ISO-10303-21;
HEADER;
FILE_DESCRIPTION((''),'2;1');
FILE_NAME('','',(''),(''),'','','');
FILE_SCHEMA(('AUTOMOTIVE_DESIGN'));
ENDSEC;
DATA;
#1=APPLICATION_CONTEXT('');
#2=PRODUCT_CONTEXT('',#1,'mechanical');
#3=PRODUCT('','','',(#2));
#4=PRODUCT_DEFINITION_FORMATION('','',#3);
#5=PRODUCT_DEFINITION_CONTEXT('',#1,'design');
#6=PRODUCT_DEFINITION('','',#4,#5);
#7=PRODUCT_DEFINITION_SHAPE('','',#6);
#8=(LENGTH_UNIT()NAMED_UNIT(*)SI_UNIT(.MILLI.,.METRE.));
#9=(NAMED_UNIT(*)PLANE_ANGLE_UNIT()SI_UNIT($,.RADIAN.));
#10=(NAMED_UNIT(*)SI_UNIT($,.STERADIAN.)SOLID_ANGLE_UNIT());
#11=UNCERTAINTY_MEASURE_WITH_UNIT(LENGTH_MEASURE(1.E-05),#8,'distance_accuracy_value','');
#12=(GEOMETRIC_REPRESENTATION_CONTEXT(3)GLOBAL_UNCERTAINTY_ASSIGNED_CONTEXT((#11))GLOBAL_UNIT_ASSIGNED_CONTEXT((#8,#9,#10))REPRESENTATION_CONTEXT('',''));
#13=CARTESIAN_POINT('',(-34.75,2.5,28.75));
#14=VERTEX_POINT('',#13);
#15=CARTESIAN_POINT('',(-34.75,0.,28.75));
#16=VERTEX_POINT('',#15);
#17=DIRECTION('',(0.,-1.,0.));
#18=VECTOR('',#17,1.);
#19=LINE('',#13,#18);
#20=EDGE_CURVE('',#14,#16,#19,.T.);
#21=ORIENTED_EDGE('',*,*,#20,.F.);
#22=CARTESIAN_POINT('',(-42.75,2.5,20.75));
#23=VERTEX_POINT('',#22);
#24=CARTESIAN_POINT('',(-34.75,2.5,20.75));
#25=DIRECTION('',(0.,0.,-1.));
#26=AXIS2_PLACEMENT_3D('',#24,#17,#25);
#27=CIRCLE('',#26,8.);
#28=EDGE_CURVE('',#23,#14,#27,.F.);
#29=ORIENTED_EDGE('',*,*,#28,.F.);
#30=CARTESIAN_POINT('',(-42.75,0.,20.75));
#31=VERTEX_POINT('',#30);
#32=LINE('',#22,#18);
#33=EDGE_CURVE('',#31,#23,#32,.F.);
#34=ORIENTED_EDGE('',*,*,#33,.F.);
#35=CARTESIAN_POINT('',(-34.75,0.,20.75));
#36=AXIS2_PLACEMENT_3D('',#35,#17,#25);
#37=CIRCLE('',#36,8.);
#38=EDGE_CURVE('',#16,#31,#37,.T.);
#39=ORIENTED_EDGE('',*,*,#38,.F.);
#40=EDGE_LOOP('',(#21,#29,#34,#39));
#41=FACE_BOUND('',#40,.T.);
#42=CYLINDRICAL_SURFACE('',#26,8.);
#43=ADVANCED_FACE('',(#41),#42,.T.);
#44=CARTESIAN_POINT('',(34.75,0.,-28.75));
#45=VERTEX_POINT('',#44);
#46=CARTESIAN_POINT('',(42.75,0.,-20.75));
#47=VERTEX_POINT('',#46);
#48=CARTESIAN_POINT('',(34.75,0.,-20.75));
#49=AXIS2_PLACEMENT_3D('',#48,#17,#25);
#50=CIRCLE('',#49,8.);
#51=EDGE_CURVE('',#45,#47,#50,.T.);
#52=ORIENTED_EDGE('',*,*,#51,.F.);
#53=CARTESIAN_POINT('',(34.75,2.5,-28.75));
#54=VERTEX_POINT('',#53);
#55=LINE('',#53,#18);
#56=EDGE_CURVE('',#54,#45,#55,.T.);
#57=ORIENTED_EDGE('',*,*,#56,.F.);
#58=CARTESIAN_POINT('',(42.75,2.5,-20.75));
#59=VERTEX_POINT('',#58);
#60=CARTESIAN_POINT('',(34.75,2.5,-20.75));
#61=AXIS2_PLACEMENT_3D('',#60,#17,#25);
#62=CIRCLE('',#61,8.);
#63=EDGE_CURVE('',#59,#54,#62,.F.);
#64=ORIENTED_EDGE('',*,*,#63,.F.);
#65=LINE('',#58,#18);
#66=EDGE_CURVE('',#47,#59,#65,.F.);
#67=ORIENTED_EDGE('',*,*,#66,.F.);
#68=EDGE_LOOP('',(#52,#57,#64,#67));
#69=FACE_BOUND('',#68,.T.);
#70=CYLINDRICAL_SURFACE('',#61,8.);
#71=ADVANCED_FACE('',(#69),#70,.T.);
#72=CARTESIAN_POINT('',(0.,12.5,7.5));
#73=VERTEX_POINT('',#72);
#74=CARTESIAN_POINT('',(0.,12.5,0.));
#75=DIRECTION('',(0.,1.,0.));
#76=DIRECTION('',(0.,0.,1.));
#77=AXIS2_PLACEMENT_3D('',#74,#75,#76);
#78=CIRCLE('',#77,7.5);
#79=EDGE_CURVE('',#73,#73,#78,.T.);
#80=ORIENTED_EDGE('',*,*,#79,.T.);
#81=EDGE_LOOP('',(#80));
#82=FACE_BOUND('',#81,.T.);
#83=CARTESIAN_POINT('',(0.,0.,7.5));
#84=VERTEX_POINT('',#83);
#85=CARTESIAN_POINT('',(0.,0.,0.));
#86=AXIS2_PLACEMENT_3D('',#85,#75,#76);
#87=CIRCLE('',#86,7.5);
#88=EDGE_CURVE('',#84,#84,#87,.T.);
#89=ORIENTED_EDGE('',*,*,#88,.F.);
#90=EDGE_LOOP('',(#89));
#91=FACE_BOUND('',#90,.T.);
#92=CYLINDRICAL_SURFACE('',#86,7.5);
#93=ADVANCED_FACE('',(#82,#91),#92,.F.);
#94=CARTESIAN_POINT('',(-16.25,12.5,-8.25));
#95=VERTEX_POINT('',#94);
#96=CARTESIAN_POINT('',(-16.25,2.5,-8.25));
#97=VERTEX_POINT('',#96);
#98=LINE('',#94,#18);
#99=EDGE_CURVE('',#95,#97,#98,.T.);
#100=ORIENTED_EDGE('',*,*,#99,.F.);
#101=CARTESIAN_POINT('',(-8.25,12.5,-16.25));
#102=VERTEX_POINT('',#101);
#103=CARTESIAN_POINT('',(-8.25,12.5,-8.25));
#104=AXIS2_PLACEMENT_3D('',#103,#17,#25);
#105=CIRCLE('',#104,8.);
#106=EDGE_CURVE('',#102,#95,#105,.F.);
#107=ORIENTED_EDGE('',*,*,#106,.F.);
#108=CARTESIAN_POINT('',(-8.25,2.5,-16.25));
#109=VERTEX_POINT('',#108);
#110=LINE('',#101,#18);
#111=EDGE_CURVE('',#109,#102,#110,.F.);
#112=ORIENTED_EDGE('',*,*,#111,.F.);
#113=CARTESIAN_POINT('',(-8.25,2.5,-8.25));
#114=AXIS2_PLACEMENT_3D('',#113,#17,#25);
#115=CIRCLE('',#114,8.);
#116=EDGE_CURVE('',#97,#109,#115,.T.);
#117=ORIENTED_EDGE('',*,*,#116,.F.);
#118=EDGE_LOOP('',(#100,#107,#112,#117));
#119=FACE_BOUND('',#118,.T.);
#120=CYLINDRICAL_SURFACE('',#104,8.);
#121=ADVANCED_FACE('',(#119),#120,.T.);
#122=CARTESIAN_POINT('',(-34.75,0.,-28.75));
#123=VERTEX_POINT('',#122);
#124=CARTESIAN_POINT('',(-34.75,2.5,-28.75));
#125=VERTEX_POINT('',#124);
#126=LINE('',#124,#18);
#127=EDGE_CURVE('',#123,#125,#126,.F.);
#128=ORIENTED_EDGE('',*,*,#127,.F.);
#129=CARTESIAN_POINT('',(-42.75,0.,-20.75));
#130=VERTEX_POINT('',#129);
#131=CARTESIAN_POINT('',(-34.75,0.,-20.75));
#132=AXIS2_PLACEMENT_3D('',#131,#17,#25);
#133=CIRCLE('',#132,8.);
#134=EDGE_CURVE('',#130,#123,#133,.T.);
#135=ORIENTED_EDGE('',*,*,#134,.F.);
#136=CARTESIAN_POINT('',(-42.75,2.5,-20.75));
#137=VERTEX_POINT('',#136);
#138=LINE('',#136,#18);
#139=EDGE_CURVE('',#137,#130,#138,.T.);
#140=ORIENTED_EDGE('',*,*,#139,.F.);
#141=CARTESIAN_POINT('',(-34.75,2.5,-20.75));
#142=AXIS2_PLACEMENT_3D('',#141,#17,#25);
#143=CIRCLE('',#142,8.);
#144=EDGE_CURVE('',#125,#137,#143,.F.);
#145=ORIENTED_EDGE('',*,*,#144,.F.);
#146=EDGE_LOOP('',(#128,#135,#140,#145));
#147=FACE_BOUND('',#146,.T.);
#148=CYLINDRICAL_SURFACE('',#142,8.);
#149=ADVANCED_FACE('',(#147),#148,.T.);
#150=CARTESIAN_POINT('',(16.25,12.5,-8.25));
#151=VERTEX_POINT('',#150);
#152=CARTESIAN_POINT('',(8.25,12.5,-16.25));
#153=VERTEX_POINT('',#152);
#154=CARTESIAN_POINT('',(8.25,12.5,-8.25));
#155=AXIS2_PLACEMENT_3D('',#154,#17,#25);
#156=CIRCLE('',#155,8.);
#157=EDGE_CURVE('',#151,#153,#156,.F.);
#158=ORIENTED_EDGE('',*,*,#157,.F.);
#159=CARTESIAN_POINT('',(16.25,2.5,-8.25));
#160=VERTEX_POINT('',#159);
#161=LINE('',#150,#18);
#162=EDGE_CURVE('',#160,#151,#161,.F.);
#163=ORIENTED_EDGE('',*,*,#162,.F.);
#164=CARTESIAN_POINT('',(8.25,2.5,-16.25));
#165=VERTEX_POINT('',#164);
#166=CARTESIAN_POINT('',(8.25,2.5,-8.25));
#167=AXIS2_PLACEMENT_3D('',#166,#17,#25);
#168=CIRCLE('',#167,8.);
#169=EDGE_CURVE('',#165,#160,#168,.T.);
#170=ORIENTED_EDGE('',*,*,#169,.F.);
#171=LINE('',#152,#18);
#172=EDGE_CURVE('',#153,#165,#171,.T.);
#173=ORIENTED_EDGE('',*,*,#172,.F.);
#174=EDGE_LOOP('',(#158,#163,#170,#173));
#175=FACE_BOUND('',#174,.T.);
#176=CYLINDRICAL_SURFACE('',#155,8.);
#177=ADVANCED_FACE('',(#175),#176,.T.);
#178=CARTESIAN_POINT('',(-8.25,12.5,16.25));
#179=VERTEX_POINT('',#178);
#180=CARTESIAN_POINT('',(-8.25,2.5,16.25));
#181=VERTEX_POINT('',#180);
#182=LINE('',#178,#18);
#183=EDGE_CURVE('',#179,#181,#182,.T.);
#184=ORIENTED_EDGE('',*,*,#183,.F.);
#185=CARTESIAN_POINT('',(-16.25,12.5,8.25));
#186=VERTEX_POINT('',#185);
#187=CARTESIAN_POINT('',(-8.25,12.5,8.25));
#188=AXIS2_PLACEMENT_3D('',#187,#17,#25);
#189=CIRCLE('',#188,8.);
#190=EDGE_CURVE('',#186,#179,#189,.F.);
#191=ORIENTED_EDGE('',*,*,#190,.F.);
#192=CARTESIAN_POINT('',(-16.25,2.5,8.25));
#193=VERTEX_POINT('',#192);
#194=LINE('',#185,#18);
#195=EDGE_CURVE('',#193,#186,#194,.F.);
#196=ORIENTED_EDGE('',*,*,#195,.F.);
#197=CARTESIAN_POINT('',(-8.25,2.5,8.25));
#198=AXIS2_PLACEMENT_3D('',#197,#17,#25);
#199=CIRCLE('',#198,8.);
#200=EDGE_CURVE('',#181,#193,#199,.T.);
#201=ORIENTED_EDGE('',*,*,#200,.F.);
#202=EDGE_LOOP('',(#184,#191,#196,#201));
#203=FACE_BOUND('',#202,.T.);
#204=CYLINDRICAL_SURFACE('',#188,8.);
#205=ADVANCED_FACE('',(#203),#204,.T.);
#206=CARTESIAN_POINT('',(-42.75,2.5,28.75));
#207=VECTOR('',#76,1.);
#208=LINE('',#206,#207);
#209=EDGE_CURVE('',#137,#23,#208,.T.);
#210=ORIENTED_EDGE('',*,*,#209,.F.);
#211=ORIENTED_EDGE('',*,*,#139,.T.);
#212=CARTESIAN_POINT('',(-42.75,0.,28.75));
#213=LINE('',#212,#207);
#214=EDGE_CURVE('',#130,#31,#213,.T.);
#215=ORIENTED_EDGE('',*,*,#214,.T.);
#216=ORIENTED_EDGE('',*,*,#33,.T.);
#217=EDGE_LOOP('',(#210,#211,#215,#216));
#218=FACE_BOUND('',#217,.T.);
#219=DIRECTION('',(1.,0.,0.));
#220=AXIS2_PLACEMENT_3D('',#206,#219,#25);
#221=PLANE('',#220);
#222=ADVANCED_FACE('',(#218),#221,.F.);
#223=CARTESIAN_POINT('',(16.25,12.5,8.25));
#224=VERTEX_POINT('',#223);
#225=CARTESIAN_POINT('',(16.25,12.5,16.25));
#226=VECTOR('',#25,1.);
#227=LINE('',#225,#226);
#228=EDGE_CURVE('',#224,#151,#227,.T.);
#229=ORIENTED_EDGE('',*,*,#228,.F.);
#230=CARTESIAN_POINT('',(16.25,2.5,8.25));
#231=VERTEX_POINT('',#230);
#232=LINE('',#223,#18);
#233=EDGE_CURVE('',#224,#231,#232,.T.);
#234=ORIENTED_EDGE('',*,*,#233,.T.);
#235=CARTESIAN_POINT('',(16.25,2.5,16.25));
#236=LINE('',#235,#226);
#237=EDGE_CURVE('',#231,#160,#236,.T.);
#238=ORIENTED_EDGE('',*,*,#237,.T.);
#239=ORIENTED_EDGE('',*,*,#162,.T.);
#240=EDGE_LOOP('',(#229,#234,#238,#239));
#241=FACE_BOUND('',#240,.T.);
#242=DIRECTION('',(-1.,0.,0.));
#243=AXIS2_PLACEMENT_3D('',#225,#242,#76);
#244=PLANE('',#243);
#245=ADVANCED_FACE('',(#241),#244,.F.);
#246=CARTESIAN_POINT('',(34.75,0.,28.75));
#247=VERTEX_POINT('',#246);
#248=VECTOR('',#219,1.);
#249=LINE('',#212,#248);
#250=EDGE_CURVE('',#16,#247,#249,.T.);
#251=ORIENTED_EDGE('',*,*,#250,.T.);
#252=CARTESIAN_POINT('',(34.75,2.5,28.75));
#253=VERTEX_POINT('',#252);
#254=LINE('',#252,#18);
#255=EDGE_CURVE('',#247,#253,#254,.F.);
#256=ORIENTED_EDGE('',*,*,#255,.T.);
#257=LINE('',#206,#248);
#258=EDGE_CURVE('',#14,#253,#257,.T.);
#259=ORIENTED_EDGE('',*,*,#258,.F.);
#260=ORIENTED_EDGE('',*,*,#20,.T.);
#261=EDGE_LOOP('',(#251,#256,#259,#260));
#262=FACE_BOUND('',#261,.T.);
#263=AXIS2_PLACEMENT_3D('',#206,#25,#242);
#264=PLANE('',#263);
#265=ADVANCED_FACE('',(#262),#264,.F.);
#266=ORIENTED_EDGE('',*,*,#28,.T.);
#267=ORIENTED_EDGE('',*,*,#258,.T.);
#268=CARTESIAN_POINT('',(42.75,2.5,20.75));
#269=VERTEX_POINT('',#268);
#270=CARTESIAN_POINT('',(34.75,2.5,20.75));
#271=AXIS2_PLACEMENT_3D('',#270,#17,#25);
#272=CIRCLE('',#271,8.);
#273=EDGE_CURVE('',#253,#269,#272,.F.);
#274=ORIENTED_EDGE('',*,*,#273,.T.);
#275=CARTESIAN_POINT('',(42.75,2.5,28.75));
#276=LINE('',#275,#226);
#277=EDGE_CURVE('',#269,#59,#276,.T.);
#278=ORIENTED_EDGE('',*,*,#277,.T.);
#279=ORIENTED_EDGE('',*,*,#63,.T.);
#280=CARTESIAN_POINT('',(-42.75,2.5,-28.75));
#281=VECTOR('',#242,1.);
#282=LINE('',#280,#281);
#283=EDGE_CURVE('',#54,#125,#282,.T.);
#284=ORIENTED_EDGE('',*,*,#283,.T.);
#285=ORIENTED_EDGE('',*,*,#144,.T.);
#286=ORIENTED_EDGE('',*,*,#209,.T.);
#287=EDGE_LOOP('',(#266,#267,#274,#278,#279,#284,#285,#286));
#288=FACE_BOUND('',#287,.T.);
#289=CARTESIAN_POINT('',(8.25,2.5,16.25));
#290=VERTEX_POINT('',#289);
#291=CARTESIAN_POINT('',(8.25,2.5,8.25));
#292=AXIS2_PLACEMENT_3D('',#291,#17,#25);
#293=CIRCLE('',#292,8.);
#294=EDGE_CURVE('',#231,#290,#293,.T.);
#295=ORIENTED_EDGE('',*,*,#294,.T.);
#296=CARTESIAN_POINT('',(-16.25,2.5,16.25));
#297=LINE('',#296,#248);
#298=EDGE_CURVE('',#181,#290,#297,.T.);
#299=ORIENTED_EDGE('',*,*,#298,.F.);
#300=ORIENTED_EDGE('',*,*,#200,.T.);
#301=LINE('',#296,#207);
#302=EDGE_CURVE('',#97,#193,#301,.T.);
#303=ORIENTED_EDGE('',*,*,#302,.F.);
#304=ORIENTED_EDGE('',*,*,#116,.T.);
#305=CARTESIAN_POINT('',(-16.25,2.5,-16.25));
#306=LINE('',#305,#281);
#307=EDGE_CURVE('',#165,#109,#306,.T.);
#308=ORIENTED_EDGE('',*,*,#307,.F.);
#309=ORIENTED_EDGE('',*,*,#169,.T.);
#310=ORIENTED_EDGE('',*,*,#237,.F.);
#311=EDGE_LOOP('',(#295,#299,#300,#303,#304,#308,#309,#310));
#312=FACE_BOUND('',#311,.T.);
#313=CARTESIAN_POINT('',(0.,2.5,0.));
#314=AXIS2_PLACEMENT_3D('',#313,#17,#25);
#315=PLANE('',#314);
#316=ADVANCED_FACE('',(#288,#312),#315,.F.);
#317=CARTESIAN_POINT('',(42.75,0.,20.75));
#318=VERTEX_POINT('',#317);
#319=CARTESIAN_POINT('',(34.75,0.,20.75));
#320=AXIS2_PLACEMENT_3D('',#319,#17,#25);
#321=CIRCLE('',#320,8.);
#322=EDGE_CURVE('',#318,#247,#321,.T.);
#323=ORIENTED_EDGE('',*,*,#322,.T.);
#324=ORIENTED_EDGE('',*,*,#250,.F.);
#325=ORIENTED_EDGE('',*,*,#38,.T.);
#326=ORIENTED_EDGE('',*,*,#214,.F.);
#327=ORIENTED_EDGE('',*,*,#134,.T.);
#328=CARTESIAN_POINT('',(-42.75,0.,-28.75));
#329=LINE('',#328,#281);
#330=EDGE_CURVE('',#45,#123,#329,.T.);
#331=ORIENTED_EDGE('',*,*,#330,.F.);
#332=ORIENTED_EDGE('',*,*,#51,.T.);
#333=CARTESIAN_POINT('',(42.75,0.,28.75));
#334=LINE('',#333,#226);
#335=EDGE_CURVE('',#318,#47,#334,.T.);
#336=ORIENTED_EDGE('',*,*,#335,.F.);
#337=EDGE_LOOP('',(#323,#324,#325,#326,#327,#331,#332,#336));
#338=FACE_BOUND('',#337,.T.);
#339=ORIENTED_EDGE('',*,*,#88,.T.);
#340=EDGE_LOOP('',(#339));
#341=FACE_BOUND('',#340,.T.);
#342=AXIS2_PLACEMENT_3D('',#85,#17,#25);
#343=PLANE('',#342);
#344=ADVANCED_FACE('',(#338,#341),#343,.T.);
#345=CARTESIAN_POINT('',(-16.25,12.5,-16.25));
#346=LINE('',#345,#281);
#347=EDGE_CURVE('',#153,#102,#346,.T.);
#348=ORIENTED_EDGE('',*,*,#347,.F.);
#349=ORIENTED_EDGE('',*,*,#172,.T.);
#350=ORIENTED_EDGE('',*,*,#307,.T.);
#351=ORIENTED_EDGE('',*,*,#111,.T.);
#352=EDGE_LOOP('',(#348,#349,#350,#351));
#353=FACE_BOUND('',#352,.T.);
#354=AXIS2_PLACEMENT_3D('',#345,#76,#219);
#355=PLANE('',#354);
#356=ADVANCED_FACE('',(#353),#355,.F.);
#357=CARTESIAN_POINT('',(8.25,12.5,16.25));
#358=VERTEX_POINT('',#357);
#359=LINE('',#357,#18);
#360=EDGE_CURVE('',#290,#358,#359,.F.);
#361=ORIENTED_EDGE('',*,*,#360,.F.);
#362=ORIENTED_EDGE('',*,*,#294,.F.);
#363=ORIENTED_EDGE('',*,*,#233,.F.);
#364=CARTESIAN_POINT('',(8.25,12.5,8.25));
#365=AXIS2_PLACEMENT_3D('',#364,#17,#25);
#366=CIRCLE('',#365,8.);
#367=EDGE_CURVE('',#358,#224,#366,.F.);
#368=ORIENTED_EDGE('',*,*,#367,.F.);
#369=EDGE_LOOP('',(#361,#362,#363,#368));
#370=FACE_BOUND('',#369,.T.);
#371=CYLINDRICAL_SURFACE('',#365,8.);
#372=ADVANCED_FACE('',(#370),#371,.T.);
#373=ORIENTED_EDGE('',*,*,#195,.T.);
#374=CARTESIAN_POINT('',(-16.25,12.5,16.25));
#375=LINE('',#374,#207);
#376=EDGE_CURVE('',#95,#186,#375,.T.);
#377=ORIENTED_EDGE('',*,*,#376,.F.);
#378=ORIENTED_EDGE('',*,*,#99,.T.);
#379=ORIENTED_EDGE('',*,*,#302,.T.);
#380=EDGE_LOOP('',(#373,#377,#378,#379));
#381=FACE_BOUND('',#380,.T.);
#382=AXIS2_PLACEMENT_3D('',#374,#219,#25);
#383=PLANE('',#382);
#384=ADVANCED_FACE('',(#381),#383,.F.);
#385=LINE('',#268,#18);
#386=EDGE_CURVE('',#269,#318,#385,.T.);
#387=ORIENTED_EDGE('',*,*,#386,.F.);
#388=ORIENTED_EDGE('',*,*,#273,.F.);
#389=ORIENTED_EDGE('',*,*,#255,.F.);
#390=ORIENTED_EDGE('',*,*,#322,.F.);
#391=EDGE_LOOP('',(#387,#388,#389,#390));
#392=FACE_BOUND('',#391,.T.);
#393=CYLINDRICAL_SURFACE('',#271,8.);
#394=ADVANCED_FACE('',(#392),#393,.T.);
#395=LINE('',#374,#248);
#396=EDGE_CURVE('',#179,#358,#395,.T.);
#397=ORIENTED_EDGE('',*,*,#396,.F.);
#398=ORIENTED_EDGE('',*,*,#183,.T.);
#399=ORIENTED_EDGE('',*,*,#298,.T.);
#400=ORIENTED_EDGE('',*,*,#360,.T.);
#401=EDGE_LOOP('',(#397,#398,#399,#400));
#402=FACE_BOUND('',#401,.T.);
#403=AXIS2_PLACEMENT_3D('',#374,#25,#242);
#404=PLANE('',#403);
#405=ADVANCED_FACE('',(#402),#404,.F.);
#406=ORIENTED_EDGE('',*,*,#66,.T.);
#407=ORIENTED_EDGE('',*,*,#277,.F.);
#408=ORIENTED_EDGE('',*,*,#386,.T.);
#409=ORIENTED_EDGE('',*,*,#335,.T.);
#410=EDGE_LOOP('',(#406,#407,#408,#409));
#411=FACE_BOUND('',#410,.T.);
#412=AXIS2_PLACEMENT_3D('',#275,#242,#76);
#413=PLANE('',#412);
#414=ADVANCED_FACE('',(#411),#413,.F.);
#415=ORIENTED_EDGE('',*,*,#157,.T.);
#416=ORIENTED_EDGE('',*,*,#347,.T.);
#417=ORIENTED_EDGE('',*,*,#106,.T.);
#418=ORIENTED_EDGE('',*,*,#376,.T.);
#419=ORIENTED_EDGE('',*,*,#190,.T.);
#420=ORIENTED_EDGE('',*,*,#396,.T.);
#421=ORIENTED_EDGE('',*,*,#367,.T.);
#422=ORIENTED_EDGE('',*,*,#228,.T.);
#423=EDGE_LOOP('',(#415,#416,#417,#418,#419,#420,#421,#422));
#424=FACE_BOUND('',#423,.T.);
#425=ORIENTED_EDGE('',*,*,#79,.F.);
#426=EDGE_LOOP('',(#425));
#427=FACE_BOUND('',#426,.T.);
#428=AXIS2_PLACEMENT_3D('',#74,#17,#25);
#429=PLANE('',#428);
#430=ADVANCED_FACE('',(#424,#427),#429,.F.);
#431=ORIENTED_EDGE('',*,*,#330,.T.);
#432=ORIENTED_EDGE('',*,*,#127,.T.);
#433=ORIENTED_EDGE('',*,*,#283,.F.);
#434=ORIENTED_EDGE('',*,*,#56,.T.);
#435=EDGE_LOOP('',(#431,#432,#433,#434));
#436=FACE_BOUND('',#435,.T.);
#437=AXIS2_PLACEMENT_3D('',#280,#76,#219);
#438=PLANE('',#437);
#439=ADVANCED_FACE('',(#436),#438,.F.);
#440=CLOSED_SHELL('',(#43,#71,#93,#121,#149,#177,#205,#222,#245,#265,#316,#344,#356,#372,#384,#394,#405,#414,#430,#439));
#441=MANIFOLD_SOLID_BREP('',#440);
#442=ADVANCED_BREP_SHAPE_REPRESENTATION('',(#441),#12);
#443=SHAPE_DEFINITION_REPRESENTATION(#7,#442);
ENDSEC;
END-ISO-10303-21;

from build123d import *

# Parameters (mm, degrees)
CROQUIS1_W              = 85.5
CROQUIS1_H              = 57.5
SALIENTE_EXTRUIR1_DEPTH = 2.5
REDONDEO1_R             = 8
CROQUIS2_W              = 32.5
CROQUIS2_H              = 32.5
SALIENTE_EXTRUIR2_DEPTH = 10
REDONDEO2_R             = 8
CROQUIS3_R              = 7.5
CORTAR_EXTRUIR1_DEPTH   = 54.012970111


with BuildPart() as part:
    # Croquis1 → Saliente-Extruir1 (new body)
    with BuildSketch(Plane(origin=(0, 0, 0), x_dir=(1, 0, 0), z_dir=(0, 1, 0))):
        Rectangle(CROQUIS1_W, CROQUIS1_H)
    extrude(amount=SALIENTE_EXTRUIR1_DEPTH)

    # Redondeo1
    redondeo1_edges = [part.edges().sort_by_distance(p)[0] for p in [
        (42.75, 1.25, 28.75),
        (-42.75, 1.25, 28.75),
        (-42.75, 1.25, -28.75),
        (42.75, 1.25, -28.75),
    ]]
    fillet(redondeo1_edges, radius=REDONDEO1_R)

    # Croquis2 → Saliente-Extruir2 (add)
    with BuildSketch(Plane(origin=(0, 2.5, 0), x_dir=(1, 0, 0), z_dir=(0, 1, 0))):
        Rectangle(CROQUIS2_W, CROQUIS2_H)
    extrude(amount=SALIENTE_EXTRUIR2_DEPTH)

    # Redondeo2
    redondeo2_edges = [part.edges().sort_by_distance(p)[0] for p in [
        (16.25, 7.5, 16.25),
        (16.25, 7.5, -16.25),
        (-16.25, 7.5, -16.25),
        (-16.25, 7.5, 16.25),
    ]]
    fillet(redondeo2_edges, radius=REDONDEO2_R)

    # Croquis3 → Cortar-Extruir1 (cut, through all)
    with BuildSketch(Plane(origin=(0, 12.5, 0), x_dir=(1, 0, 0), z_dir=(0, 1, 0))):
        with Locations(Location((0, 0, 0), (0, 0, 270))):
            Circle(CROQUIS3_R)
    extrude(amount=-CORTAR_EXTRUIR1_DEPTH, mode=Mode.SUBTRACT)


solid = part.part
